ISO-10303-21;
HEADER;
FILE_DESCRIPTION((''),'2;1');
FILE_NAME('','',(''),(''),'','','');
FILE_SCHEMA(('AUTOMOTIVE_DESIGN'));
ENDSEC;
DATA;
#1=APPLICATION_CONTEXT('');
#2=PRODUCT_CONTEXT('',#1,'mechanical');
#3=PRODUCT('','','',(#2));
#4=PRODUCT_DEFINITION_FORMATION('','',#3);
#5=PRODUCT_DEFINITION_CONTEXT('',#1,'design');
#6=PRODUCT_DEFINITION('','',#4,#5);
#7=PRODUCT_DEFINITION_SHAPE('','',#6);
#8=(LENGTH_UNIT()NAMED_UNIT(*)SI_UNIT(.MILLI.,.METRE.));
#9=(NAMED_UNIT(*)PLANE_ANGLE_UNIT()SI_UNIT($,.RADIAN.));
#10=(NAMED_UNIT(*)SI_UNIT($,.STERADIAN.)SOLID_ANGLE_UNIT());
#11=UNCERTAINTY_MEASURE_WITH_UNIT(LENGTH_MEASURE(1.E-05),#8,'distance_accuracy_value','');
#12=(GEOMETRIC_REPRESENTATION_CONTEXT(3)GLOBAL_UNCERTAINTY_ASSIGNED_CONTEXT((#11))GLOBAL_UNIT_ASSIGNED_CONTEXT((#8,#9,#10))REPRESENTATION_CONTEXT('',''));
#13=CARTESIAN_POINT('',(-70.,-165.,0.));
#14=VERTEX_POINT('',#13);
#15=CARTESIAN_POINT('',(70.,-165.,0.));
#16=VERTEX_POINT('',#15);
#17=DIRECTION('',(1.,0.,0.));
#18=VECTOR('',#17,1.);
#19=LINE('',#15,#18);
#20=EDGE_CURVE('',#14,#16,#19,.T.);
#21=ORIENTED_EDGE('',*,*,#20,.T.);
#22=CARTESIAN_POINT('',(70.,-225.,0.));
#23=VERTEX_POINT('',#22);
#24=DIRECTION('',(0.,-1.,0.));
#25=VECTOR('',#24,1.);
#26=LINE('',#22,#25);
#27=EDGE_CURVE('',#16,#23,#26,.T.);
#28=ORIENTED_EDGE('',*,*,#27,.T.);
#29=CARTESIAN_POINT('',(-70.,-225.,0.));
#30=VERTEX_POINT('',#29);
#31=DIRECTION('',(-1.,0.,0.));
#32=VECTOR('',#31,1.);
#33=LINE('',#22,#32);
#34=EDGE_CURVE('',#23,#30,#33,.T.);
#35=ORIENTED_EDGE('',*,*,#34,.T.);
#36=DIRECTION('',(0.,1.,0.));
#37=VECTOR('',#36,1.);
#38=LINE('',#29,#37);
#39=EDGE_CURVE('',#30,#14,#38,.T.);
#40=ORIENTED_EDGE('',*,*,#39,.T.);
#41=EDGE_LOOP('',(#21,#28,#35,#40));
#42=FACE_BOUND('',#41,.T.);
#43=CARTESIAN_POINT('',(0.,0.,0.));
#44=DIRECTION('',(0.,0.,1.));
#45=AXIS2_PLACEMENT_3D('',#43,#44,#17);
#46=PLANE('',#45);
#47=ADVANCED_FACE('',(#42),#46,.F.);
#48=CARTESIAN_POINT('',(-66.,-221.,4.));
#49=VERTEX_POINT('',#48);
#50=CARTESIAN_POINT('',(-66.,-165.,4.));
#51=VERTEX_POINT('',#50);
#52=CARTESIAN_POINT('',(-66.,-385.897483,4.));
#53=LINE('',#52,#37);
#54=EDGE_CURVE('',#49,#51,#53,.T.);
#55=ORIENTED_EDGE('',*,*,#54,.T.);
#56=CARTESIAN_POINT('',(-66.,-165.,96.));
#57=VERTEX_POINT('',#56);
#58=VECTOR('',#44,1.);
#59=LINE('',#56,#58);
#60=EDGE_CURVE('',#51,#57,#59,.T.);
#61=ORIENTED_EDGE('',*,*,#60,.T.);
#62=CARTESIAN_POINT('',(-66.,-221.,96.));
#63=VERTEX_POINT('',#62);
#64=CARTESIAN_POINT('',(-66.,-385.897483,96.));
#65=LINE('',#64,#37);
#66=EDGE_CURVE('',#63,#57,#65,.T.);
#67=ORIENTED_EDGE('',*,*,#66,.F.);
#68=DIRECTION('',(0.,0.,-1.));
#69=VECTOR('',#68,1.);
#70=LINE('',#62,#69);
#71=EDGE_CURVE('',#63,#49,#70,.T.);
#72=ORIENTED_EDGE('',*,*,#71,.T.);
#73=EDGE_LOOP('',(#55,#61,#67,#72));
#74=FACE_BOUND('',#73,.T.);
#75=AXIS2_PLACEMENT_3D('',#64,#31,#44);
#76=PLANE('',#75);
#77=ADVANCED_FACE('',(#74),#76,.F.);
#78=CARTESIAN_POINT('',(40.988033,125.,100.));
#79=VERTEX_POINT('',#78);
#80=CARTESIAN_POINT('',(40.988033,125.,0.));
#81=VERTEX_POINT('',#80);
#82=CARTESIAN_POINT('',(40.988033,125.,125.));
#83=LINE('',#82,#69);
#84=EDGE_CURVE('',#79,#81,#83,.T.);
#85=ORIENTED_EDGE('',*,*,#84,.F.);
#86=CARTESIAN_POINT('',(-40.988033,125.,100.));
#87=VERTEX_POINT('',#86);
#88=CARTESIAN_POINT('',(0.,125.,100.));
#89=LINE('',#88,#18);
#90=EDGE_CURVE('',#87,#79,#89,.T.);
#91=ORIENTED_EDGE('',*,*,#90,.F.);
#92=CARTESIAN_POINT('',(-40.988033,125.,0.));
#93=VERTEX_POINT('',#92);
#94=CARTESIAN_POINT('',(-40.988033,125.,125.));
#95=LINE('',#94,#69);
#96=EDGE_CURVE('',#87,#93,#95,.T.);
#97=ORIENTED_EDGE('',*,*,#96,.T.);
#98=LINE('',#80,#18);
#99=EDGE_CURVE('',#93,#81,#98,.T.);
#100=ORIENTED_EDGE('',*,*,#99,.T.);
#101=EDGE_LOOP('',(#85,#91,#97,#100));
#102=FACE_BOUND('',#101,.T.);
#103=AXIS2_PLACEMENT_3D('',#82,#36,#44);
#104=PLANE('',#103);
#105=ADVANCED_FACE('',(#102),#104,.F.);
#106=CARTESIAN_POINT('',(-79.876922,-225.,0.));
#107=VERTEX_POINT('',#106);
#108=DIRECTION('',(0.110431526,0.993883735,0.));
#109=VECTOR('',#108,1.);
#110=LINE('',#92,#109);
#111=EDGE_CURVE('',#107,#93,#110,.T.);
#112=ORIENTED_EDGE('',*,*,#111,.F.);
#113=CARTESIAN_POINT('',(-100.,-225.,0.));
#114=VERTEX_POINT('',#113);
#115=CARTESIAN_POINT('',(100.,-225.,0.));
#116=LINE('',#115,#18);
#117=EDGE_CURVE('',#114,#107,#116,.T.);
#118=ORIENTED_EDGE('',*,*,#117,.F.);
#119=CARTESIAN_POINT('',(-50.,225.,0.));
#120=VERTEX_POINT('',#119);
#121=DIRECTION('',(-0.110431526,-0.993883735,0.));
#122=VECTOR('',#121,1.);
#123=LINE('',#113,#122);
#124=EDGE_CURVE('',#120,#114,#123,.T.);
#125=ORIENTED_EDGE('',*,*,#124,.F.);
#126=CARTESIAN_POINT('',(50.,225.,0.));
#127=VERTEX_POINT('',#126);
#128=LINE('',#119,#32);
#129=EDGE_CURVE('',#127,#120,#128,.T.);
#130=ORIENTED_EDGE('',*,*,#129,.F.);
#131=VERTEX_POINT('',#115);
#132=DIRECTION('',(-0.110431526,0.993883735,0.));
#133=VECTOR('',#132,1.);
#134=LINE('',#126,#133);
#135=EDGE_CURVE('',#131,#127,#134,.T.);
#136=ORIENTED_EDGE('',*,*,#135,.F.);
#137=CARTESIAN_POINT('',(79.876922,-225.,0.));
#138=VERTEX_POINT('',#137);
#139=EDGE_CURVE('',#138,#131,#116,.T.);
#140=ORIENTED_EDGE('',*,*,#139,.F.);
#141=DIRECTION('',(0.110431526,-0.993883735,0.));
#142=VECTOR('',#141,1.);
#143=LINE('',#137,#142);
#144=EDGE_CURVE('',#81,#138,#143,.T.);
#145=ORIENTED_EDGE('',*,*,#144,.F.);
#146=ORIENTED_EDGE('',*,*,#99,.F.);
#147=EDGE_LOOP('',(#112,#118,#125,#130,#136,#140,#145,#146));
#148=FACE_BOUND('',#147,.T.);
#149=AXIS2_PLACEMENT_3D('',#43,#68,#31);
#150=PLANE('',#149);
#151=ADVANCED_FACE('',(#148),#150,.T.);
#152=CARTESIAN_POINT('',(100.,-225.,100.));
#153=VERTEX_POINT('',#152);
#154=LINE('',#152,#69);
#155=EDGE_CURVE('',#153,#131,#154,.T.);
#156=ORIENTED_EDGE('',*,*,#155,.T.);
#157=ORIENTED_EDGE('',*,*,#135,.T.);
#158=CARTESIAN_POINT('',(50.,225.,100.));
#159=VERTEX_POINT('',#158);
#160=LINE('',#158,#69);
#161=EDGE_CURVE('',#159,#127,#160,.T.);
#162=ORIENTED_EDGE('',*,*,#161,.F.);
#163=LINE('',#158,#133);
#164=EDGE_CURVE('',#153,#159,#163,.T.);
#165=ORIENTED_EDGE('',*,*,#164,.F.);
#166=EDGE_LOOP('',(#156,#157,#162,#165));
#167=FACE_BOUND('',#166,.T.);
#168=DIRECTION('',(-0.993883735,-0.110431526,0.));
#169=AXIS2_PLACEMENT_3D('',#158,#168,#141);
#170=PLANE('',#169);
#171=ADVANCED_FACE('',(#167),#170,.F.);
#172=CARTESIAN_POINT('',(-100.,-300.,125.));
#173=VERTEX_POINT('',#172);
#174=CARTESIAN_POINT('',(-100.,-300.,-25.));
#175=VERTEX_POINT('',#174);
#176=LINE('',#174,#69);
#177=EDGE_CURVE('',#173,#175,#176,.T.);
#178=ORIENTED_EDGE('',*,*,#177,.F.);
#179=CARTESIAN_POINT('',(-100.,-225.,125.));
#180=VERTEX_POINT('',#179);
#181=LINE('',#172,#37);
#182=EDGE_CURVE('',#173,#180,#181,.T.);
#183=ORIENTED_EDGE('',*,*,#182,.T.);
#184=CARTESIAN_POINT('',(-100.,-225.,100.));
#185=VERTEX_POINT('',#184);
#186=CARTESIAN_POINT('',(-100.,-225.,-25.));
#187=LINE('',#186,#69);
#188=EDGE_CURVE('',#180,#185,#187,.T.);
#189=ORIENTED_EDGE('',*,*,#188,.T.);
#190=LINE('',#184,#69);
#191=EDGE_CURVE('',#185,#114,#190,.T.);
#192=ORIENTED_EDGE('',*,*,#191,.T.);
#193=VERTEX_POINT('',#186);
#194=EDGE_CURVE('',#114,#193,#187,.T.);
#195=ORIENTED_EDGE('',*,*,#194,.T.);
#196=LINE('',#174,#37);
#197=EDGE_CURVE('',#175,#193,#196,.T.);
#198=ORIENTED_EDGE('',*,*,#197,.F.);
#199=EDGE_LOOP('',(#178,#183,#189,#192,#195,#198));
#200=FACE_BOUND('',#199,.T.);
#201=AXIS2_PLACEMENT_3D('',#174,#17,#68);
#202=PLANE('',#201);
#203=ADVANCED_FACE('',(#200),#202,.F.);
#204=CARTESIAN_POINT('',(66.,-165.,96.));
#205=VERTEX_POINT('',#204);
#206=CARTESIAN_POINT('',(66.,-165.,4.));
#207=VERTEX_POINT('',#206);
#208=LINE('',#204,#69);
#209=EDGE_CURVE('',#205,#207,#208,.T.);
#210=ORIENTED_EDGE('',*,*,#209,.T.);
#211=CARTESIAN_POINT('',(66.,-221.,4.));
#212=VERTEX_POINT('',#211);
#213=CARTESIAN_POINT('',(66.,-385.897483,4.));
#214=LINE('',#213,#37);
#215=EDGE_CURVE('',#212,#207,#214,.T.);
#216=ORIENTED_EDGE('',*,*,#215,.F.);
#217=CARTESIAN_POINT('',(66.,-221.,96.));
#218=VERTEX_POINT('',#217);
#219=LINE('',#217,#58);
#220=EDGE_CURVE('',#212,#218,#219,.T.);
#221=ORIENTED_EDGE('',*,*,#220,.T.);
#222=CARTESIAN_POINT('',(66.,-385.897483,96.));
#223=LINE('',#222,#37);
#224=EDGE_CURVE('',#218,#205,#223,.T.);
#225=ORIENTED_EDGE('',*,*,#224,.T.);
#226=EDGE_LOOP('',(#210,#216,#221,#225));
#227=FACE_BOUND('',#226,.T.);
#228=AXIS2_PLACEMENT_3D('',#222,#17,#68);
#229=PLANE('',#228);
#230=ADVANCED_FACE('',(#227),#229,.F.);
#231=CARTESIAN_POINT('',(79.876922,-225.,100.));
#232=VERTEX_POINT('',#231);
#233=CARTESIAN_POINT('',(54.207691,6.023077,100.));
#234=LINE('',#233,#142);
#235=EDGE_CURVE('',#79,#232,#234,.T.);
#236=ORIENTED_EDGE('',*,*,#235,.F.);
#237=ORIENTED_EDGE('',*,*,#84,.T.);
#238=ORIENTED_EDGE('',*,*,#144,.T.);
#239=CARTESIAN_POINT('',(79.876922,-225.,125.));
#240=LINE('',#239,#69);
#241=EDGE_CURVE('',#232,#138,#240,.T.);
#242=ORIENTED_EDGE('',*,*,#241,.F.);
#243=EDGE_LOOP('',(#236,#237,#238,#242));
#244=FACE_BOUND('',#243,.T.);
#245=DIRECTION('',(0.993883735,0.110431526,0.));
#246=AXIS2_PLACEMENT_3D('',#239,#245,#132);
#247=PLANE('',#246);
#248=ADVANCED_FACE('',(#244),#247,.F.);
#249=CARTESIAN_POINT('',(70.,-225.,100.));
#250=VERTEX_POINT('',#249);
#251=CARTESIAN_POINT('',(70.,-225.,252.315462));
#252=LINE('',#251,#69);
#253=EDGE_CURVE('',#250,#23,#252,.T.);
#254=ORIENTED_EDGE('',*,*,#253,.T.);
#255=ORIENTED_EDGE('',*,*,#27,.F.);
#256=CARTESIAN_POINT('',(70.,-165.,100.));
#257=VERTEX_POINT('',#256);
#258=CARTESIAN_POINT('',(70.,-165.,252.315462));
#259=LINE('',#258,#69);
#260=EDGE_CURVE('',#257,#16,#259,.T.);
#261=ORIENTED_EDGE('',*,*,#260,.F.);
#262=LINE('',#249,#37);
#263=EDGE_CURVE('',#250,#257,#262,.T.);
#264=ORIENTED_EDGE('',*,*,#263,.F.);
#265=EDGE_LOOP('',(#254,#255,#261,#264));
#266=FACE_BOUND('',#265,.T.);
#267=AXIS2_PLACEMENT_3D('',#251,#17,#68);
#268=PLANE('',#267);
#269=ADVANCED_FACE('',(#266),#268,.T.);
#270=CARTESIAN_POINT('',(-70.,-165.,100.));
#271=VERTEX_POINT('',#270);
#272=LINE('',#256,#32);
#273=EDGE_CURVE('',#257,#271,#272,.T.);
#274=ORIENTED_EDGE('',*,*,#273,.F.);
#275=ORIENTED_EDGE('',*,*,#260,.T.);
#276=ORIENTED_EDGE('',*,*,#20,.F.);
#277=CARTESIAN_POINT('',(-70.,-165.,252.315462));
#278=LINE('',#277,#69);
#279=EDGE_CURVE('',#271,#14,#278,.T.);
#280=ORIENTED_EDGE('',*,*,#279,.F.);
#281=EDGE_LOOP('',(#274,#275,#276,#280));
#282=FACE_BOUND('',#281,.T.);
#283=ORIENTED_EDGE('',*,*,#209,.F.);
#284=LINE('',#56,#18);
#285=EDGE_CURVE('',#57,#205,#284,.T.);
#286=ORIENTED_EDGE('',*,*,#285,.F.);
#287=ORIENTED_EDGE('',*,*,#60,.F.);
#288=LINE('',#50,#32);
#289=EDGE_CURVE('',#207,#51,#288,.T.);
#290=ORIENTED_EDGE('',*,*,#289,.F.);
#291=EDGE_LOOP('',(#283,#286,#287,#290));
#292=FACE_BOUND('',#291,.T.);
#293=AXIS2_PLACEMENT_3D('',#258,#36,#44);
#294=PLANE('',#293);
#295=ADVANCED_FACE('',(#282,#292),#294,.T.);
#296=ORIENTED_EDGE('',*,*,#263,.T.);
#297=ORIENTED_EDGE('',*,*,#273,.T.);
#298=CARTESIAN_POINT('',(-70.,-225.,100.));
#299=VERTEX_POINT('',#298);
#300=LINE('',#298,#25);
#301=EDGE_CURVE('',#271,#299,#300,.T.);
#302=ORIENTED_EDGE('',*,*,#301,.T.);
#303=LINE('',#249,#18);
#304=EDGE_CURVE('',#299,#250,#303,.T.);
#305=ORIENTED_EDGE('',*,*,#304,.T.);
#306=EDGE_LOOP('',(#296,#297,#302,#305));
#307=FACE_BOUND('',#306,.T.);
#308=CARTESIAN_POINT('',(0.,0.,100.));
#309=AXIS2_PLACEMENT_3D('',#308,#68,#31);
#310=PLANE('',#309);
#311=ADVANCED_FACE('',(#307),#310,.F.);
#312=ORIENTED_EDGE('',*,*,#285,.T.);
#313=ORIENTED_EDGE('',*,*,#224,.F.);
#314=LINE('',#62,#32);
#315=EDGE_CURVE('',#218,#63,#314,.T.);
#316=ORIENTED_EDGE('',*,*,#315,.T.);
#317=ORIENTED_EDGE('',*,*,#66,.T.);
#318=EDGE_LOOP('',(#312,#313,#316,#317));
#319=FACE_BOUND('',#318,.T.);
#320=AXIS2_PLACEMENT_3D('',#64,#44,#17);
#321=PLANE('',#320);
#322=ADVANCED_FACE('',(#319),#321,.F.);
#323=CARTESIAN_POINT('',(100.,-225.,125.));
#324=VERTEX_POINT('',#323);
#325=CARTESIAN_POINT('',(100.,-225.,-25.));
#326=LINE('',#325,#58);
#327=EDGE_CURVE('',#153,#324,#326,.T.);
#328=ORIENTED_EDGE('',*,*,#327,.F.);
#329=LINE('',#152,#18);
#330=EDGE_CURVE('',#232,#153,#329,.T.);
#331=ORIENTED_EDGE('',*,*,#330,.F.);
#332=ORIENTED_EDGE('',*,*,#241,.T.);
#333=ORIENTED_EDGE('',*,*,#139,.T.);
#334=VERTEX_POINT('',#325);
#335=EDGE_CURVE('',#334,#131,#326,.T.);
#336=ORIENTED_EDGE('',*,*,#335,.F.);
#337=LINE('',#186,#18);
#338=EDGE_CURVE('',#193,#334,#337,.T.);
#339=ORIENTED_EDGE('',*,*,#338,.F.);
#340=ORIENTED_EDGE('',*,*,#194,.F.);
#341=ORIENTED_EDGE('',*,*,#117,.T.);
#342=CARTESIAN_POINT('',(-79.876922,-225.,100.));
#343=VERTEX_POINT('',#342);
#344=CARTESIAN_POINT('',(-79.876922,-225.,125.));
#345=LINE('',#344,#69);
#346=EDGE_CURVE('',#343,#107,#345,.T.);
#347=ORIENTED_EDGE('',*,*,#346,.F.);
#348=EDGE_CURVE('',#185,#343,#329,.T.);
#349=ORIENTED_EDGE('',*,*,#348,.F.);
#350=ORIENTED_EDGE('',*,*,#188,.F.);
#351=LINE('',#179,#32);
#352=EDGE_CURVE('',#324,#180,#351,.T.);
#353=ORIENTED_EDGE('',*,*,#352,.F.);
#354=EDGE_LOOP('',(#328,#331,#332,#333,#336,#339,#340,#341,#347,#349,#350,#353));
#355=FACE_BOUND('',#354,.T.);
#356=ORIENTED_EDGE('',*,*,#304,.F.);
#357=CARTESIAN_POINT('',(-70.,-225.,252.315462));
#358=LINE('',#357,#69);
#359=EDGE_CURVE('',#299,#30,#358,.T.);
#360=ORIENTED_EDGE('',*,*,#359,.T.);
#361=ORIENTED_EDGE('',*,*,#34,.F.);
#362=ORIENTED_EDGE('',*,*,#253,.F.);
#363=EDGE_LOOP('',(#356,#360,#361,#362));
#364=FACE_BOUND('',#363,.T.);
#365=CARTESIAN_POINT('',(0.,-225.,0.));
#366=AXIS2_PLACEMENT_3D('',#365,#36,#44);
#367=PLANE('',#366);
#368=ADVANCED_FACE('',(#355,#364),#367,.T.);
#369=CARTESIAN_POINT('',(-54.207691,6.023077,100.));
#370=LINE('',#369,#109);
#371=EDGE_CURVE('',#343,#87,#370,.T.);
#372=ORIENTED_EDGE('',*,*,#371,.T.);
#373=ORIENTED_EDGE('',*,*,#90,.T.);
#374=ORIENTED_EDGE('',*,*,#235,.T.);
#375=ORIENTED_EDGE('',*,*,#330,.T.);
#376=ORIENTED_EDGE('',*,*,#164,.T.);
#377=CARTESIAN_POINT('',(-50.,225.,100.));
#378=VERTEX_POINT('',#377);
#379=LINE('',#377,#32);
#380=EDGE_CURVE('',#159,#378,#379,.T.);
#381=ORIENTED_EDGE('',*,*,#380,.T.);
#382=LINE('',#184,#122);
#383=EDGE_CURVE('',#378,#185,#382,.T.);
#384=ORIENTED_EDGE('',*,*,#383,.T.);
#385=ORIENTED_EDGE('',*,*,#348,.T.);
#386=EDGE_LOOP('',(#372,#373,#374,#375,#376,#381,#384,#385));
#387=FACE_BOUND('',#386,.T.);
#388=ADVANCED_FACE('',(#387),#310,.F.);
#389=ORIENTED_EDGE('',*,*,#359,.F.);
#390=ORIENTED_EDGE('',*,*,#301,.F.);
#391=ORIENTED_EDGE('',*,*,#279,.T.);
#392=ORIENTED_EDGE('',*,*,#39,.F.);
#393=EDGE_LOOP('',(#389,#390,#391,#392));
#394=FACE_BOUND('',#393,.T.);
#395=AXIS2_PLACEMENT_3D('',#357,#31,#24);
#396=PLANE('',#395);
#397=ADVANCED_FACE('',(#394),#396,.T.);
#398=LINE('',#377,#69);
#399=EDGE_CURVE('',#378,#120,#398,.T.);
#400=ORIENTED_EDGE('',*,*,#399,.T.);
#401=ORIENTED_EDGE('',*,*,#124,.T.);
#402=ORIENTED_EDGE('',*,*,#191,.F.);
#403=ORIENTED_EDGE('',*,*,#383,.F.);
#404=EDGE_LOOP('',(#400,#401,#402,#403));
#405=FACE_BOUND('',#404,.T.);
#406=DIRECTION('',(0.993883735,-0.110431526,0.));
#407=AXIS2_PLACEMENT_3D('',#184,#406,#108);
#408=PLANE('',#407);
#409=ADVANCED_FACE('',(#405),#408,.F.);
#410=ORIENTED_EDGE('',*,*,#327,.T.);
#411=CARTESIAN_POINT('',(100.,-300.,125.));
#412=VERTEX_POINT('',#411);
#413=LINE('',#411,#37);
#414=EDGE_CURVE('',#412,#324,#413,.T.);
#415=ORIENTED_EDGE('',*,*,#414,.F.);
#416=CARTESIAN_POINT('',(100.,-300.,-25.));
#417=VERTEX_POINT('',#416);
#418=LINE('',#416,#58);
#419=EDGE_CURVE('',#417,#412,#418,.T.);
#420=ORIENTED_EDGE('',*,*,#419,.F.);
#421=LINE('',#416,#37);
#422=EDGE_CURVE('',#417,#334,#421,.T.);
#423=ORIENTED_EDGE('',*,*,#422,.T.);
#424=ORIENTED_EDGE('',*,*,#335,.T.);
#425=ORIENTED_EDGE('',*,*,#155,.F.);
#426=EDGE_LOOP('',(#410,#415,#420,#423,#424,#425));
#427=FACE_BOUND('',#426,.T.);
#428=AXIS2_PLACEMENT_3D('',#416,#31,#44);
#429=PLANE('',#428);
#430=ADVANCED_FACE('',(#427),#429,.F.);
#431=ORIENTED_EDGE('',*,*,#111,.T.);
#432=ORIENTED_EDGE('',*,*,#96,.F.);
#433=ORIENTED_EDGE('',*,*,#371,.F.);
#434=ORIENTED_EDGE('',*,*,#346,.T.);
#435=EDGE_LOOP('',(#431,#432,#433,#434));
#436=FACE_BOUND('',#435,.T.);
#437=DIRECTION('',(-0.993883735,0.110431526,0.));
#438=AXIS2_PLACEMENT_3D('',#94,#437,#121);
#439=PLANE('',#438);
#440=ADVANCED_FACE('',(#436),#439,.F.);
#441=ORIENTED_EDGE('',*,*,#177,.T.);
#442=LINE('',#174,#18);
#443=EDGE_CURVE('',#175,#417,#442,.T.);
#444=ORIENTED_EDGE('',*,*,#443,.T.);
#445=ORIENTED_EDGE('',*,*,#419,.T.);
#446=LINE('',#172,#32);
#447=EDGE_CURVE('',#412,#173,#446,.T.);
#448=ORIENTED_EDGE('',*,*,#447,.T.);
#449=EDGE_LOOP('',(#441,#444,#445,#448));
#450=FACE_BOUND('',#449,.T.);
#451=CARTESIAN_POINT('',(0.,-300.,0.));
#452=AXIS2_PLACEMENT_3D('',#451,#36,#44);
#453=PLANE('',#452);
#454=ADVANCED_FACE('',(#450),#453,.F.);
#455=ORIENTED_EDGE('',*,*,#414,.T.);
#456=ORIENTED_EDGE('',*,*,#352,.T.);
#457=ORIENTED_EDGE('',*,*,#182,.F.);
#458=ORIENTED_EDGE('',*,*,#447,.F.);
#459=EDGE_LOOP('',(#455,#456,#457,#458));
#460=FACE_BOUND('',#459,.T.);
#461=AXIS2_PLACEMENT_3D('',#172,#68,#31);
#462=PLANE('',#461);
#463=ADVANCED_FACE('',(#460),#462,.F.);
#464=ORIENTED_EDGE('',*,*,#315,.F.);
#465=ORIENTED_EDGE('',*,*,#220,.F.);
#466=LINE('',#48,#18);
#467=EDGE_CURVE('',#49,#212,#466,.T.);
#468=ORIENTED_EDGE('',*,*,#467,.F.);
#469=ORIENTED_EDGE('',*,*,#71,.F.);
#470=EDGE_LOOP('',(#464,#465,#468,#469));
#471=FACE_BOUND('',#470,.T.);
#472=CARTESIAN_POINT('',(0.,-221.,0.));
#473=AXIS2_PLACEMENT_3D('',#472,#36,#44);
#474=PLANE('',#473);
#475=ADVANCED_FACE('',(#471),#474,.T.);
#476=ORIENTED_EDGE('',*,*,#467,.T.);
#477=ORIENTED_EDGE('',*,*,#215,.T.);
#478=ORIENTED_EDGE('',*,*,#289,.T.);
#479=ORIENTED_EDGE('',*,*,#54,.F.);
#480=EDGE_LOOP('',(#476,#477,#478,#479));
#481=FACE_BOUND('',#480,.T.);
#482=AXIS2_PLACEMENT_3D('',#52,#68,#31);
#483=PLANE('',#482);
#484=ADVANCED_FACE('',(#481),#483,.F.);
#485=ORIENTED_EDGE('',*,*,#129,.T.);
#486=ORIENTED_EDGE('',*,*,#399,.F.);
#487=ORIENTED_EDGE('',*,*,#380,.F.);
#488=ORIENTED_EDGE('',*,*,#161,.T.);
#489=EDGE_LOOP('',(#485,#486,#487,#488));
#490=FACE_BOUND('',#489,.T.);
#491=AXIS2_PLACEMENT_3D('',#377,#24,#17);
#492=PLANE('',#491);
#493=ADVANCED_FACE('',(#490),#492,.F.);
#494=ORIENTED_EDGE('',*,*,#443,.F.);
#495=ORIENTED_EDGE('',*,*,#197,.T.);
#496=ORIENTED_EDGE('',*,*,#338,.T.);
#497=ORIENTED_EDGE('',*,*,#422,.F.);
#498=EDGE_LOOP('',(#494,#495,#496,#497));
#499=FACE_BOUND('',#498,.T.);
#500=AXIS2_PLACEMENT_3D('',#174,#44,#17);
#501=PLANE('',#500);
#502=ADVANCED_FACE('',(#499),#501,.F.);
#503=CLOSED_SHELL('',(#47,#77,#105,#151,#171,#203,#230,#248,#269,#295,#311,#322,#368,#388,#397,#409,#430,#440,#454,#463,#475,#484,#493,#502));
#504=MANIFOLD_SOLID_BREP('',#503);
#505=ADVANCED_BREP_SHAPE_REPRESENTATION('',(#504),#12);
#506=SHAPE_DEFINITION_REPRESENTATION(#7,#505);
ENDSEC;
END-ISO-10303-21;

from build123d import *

# Parameters (mm, degrees)
BOSS_EXTRUDE1_DEPTH = 100
SKETCH3_W           = 200
SKETCH3_H           = 150
BOSS_EXTRUDE2_DEPTH = 75
CUT_EXTRUDE2_DEPTH  = 126
SKETCH6_W           = 140
SKETCH6_H           = 60
BOSS_EXTRUDE3_DEPTH = 100
SKETCH7_W           = 132
SKETCH7_H           = 92
CUT_EXTRUDE3_DEPTH  = 56


with BuildPart() as part:
    # Sketch2 → Boss-Extrude1 (new body)
    with BuildSketch(Plane.XY):
        Polygon((-50, 225), (50, 225), (100, -225), (-100, -225), align=None)
    extrude(amount=BOSS_EXTRUDE1_DEPTH)

    # Sketch3 → Boss-Extrude2 (add)
    with BuildSketch(Plane.XZ.offset(225)):
        with Locations((0, 50)):
            Rectangle(SKETCH3_W, SKETCH3_H)
    extrude(amount=BOSS_EXTRUDE2_DEPTH)

    # Sketch5 → Cut-Extrude2 (cut, through all)
    with BuildSketch(Plane(origin=(0, 0, 0), x_dir=(-1, 0, 0), z_dir=(0, 0, -1))):
        Polygon((-40.988033026, 125), (40.988033026, 125), (79.876921915, -225), (-79.876921915, -225), align=None)
    extrude(amount=-CUT_EXTRUDE2_DEPTH, mode=Mode.SUBTRACT)

    # Sketch6 → Boss-Extrude3 (add)
    with BuildSketch(Plane(origin=(0, 0, 0), x_dir=(-1, 0, 0), z_dir=(0, 0, -1))):
        with Locations((0, -195)):
            Rectangle(SKETCH6_W, SKETCH6_H)
    extrude(amount=-BOSS_EXTRUDE3_DEPTH)

    # Sketch7 → Cut-Extrude3 (cut)
    with BuildSketch(Plane(origin=(0, -165, 0), x_dir=(1, 0, 0), z_dir=(0, 1, 0))):
        with Locations((0, -50)):
            Rectangle(SKETCH7_W, SKETCH7_H)
    extrude(amount=-CUT_EXTRUDE3_DEPTH, mode=Mode.SUBTRACT)


solid = part.part
